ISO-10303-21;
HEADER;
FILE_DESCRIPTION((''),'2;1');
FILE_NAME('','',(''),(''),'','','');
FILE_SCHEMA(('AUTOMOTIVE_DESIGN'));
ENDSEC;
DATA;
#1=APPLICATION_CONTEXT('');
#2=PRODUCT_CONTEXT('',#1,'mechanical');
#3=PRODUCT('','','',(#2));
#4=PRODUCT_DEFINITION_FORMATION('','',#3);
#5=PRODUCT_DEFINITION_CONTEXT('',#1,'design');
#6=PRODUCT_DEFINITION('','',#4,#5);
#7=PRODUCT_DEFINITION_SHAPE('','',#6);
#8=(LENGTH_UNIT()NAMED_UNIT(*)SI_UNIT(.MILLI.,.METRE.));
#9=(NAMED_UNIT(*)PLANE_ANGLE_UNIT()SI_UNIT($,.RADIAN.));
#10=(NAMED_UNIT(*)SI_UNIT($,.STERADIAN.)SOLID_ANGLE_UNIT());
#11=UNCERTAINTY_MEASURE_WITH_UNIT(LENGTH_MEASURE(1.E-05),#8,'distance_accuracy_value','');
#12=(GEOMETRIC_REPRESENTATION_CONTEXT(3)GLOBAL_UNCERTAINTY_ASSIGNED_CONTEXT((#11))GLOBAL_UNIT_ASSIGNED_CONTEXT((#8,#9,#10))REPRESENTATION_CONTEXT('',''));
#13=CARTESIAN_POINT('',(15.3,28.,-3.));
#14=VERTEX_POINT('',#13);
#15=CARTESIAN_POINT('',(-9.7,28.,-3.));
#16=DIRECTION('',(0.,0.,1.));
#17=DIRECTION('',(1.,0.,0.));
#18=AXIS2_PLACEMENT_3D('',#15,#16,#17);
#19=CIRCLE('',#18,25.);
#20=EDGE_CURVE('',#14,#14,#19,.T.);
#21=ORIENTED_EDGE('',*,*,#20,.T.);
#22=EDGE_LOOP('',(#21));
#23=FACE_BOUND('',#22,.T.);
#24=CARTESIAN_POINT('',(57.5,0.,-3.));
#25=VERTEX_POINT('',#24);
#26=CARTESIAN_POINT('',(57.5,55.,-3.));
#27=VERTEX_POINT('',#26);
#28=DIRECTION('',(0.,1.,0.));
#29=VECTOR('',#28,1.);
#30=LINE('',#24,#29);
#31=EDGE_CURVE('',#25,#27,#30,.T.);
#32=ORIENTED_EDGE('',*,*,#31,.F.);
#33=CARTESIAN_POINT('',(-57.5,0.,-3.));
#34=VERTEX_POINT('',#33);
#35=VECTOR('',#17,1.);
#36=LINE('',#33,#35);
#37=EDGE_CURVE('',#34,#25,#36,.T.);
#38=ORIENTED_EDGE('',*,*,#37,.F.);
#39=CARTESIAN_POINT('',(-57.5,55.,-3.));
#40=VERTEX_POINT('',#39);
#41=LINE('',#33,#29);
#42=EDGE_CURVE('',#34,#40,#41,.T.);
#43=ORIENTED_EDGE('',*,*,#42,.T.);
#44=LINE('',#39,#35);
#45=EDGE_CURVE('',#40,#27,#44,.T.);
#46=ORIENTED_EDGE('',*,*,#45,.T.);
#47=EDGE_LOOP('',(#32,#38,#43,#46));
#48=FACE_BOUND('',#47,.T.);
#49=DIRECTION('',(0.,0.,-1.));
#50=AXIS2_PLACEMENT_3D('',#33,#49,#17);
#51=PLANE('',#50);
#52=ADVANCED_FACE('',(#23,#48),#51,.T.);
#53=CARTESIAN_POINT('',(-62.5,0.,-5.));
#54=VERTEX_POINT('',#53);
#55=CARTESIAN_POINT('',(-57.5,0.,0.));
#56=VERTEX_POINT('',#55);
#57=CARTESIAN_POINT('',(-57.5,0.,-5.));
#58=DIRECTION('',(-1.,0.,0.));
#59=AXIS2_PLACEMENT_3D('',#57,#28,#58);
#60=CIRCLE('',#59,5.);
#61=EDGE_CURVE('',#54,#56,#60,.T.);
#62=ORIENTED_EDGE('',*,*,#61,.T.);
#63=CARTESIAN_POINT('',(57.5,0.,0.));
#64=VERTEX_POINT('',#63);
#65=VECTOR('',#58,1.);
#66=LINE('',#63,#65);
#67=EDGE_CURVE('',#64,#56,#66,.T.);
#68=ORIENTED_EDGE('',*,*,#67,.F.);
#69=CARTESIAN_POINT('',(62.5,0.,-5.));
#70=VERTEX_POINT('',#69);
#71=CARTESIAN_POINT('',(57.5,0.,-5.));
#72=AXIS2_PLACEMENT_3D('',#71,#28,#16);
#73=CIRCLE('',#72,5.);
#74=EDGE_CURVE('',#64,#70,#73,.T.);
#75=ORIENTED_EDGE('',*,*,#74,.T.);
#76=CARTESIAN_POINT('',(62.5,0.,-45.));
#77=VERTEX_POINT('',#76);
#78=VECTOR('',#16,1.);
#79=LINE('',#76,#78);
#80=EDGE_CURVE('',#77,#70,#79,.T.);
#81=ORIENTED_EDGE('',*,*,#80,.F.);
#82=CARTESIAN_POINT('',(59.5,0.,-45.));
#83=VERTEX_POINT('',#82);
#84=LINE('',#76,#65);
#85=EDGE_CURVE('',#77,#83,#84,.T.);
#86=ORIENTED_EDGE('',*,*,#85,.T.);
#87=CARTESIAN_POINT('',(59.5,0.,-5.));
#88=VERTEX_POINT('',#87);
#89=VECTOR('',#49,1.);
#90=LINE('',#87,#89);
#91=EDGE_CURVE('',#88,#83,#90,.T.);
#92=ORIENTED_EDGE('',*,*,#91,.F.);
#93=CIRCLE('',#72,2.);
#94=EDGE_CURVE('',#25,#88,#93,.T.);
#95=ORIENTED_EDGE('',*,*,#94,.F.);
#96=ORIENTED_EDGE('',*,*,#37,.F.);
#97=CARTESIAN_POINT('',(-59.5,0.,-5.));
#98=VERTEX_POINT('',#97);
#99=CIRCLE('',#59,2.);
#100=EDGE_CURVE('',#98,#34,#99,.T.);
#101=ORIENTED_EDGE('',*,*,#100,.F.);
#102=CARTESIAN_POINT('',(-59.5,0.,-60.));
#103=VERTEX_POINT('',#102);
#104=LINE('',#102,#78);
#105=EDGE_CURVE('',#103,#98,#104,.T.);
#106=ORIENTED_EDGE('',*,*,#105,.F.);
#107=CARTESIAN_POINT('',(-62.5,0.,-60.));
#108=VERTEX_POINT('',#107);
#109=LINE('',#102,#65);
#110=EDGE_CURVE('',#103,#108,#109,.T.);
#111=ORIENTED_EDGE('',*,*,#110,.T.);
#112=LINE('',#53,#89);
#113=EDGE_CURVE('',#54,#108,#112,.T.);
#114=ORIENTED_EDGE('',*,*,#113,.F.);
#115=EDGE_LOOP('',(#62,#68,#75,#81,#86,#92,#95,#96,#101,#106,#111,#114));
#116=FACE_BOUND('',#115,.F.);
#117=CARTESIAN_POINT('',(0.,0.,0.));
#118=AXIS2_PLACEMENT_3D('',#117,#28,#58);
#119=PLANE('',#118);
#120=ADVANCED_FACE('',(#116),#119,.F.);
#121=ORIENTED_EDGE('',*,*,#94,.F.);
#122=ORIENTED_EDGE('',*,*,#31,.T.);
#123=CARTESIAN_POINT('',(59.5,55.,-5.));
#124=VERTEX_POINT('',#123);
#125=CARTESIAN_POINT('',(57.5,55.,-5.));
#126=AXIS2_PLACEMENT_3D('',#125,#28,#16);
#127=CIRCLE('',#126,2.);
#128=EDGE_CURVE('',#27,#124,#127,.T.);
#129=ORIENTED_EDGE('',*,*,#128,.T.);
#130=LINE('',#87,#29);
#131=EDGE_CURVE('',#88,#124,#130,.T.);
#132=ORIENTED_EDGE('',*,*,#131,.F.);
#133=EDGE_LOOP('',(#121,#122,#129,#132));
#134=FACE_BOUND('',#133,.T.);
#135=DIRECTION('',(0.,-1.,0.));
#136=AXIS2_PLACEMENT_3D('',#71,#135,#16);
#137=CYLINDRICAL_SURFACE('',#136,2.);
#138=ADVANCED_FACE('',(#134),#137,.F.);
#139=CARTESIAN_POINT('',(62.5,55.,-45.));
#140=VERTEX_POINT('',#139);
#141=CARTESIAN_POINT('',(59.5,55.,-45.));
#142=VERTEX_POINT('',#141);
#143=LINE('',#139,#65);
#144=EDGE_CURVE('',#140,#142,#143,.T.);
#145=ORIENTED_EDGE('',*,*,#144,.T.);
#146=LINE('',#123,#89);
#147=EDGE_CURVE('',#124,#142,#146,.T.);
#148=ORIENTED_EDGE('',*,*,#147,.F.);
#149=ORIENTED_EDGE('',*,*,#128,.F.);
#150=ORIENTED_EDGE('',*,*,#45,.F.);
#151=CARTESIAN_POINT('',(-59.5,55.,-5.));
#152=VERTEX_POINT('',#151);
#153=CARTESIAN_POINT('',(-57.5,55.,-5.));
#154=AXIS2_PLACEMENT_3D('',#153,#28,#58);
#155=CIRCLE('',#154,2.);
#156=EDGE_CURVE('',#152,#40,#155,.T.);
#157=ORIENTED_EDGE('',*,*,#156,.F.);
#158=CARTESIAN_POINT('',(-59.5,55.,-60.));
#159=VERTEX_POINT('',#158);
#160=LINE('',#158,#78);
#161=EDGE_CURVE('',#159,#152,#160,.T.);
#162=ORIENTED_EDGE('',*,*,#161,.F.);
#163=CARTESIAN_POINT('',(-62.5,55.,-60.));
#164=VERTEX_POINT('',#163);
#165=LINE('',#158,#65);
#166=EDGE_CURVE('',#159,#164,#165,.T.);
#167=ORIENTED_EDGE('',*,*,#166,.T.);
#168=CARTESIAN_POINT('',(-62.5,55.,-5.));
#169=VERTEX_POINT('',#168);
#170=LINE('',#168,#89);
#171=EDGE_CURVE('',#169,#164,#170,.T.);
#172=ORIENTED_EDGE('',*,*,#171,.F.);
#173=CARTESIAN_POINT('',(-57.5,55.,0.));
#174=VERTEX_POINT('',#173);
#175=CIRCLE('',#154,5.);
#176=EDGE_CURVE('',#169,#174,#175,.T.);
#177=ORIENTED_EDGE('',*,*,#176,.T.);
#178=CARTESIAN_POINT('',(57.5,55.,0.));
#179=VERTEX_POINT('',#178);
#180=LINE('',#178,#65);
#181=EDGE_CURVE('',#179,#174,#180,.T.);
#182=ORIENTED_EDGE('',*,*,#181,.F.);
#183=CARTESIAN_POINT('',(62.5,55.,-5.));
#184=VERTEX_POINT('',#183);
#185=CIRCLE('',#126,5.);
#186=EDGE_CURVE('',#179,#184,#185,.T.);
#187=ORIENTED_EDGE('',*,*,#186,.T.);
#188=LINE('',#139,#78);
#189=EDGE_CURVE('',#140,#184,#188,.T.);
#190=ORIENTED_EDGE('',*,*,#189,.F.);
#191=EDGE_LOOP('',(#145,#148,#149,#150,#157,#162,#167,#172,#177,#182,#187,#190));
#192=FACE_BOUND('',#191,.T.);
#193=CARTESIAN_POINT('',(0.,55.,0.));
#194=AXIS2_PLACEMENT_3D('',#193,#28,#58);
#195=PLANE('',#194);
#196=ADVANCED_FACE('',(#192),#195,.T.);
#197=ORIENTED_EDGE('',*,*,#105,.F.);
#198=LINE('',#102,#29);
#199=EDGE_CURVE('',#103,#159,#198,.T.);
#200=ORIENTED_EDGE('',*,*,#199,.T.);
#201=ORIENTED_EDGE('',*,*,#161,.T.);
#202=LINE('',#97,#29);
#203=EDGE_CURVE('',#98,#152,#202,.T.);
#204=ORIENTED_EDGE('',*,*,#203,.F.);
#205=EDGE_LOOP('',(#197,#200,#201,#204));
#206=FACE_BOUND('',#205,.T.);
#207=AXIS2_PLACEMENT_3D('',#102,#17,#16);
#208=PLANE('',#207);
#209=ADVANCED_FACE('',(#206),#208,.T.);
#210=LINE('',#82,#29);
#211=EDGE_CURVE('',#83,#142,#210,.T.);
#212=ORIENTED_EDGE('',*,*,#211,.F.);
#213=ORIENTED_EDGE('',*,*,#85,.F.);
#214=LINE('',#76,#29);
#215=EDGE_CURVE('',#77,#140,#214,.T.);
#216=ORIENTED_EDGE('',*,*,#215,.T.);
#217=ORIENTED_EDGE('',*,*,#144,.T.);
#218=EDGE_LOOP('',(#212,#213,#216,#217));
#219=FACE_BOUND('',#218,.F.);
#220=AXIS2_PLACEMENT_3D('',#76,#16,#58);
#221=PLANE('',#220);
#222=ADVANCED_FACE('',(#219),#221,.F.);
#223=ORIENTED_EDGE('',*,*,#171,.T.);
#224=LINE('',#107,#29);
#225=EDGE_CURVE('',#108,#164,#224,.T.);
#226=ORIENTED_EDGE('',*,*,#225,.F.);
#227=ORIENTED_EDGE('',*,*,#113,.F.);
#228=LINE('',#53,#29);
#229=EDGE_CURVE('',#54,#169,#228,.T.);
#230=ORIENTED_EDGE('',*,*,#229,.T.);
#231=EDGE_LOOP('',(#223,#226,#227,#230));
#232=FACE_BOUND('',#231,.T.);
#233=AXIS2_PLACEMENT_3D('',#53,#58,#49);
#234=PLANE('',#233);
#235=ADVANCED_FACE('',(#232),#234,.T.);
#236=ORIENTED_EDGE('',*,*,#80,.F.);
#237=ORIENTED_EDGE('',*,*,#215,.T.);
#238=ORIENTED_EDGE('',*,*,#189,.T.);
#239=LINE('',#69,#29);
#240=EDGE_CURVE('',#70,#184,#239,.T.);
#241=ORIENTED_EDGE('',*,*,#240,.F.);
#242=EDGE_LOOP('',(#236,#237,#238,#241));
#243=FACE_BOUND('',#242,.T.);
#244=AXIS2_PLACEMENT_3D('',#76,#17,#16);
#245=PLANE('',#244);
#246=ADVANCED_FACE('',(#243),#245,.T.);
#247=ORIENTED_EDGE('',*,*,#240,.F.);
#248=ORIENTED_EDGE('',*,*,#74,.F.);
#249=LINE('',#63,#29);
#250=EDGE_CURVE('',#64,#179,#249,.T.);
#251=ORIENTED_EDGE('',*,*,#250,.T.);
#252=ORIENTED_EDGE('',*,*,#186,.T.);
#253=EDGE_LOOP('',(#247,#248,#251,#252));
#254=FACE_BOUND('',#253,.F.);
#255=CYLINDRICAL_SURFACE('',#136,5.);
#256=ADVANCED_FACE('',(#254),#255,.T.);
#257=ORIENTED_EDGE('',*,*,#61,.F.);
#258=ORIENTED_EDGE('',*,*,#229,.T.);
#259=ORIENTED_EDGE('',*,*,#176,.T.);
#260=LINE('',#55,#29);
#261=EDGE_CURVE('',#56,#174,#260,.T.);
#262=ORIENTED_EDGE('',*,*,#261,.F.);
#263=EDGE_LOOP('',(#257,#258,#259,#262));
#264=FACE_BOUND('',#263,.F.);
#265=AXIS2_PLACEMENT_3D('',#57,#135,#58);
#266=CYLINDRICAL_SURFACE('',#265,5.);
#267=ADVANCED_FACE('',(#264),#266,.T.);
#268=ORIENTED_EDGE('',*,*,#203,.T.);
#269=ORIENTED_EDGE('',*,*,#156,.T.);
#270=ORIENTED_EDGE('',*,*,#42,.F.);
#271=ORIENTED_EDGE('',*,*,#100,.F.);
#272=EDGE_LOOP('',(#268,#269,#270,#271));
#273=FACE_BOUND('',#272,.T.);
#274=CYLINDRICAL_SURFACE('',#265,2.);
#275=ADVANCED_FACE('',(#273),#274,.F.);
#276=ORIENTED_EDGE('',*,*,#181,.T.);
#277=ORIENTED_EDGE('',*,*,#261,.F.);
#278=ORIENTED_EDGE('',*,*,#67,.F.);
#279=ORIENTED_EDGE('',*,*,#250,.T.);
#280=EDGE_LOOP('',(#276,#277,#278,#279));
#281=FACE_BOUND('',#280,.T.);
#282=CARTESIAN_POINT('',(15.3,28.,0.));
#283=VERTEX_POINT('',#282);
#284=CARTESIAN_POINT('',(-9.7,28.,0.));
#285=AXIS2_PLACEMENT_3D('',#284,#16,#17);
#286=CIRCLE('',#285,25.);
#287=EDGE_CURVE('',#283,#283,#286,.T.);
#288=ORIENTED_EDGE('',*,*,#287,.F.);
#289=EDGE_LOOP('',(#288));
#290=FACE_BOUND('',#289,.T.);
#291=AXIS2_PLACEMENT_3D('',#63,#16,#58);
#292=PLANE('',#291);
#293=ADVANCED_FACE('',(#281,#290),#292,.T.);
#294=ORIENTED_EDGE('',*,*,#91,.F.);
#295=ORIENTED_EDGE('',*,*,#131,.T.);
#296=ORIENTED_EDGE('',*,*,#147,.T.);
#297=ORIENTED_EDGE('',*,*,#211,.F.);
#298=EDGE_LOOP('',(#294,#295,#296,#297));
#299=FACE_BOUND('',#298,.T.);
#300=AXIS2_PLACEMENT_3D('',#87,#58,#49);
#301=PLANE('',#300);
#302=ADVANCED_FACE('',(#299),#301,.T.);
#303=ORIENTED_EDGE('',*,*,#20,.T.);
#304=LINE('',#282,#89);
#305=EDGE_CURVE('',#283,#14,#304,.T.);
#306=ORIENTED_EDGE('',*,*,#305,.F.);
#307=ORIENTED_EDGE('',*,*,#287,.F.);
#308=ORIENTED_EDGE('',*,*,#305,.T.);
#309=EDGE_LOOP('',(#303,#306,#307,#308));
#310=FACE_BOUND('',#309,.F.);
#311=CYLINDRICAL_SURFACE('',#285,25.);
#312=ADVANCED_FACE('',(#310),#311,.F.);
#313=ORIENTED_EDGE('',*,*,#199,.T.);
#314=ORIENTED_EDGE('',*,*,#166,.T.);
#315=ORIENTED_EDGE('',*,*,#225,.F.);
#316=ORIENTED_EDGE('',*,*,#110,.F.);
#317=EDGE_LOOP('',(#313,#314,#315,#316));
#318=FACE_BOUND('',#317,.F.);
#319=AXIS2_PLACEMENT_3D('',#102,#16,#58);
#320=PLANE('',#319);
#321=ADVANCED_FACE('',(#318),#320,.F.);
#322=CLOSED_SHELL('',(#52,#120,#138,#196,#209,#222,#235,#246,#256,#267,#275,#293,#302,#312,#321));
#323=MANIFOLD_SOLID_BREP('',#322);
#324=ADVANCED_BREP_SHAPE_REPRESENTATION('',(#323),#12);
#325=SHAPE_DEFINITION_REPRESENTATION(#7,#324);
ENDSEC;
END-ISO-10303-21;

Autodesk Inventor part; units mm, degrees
ref_plane "YZ Plane" through (0, 0, 0) normal (1, 0, 0) x (0, 1, 0)
ref_plane "XZ Plane" through (0, 0, 0) normal (0, 1, 0) x (-1, 0, 0)
ref_plane "XY Plane" through (0, 0, 0) normal (0, 0, 1) x (1, 0, 0)
sketch "Sketch3" plane through (0, 0, 0) normal (0, 1, 0) x (-1, 0, 0)
  line L0 (-57.5, 0) -> (57.5, 0)
  line L1 (62.5, -5) -> (62.5, -60)
  line L2 (-62.5, -45) -> (-62.5, -5)
  arc A0 (-57.5, 0) -> (-62.5, -5) centre (-57.5, -5) ccw
  arc A1 (62.5, -5) -> (57.5, 0) centre (57.5, -5) ccw
  line L3 (59.5, -60) -> (59.5, -5)
  arc A2 (59.5, -5) -> (57.5, -3) centre (57.5, -5) ccw
  line L4 (57.5, -3) -> (-57.5, -3)
  arc A3 (-57.5, -3) -> (-59.5, -5) centre (-57.5, -5) ccw
  line L5 (-59.5, -5) -> (-59.5, -45)
  line L6 (-62.5, -45) -> (-59.5, -45)
  line L7 (59.5, -60) -> (62.5, -60)
  point P0 (0, 0)
  point P1 (0, 0)
  dimension "d8" = 5
  dimension "d9" = 125
  dimension "d11" = 3
  dimension "d12" = 40
  dimension "d22" = 55
extrude "Extrusion3" add sketch "Sketch3" along normal blind 55
sketch "Sketch4" plane through (-57.5, 0, 0) normal (0, 0, 1) x (1, 0, 0)
  line L0 (0, 0) -> (115, 0) projected
  circle A0 centre (47.8, 28) radius 25
  line L1 (120, 0) -> (120, 55) projected
  line L2 (-5, 0) -> (-5, 55) projected
  point P0 (57.5, 0)
  dimension "d15" = 50
  dimension "d17" = 28
  dimension "d21" = 52.8
extrude "Extrusion4" cut sketch "Sketch4" against normal blind 60
properties part number "Beta_V2_BendFront01" material "Aluminum 6061 Black Anodized"
